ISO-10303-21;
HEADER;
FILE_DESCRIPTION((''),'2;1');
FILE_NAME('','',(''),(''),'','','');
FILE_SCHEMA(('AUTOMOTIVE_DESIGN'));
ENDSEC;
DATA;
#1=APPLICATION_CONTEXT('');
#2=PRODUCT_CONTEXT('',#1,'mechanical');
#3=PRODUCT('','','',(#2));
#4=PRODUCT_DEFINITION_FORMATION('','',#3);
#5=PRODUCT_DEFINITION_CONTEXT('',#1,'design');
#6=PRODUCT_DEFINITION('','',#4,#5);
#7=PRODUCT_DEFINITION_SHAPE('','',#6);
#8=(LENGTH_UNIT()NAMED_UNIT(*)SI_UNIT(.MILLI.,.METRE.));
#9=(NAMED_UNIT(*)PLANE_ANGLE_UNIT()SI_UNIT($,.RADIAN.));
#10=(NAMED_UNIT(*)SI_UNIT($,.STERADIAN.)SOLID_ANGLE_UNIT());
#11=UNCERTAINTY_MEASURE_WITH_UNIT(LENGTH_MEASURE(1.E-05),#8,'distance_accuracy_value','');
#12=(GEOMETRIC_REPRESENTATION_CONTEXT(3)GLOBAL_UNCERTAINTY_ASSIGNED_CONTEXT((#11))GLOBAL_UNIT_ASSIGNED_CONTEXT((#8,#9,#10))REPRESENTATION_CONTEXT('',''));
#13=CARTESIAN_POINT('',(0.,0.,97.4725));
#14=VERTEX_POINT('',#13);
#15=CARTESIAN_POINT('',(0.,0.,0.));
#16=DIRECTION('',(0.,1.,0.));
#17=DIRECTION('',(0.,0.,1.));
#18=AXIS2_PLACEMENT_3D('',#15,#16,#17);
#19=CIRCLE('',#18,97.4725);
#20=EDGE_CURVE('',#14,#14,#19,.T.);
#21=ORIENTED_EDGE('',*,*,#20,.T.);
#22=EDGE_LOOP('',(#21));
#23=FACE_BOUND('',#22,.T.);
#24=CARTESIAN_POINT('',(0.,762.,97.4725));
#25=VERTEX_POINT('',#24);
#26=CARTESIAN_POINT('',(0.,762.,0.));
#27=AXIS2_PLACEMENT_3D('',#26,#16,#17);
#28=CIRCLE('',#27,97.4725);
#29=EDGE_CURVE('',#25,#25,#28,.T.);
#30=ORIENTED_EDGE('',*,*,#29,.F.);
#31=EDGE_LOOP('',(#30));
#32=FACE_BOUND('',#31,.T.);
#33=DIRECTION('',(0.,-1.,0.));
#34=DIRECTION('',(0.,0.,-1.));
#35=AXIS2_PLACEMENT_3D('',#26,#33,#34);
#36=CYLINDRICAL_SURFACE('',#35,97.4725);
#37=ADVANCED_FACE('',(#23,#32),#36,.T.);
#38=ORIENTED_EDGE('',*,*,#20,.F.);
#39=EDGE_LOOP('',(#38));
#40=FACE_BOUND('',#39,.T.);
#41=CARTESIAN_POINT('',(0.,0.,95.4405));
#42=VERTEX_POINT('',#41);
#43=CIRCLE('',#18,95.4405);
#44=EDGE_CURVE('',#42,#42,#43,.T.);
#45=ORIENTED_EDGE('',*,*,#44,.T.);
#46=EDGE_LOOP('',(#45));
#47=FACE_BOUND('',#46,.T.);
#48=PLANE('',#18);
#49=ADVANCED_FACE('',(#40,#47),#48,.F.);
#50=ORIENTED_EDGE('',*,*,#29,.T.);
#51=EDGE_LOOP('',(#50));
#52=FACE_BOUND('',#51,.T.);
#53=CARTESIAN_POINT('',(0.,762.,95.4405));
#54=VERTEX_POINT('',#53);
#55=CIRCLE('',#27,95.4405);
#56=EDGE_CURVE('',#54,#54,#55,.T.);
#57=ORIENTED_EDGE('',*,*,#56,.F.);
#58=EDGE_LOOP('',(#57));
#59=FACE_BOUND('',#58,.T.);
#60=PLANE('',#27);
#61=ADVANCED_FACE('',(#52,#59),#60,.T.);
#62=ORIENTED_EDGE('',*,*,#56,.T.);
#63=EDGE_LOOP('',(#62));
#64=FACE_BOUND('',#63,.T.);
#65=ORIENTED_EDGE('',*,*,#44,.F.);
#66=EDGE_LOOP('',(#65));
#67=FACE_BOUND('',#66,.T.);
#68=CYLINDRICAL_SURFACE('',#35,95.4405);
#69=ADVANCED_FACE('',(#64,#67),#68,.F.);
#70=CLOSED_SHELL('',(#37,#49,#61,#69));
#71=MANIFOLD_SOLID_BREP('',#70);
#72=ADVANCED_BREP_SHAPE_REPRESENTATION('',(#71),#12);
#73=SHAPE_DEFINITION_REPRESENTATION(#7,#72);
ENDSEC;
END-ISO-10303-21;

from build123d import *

# Parameters (mm, degrees)
SKETCH1_R           = 97.4725
SKETCH1_R_2         = 95.4405
BOSS_EXTRUDE1_DEPTH = 762


with BuildPart() as part:
    # Sketch1 → Boss-Extrude1 (new body)
    with BuildSketch(Plane(origin=(0, 0, 0), x_dir=(1, 0, 0), z_dir=(0, 1, 0))):
        Circle(SKETCH1_R)
        Circle(SKETCH1_R_2, mode=Mode.SUBTRACT)
    extrude(amount=BOSS_EXTRUDE1_DEPTH)


solid = part.part
